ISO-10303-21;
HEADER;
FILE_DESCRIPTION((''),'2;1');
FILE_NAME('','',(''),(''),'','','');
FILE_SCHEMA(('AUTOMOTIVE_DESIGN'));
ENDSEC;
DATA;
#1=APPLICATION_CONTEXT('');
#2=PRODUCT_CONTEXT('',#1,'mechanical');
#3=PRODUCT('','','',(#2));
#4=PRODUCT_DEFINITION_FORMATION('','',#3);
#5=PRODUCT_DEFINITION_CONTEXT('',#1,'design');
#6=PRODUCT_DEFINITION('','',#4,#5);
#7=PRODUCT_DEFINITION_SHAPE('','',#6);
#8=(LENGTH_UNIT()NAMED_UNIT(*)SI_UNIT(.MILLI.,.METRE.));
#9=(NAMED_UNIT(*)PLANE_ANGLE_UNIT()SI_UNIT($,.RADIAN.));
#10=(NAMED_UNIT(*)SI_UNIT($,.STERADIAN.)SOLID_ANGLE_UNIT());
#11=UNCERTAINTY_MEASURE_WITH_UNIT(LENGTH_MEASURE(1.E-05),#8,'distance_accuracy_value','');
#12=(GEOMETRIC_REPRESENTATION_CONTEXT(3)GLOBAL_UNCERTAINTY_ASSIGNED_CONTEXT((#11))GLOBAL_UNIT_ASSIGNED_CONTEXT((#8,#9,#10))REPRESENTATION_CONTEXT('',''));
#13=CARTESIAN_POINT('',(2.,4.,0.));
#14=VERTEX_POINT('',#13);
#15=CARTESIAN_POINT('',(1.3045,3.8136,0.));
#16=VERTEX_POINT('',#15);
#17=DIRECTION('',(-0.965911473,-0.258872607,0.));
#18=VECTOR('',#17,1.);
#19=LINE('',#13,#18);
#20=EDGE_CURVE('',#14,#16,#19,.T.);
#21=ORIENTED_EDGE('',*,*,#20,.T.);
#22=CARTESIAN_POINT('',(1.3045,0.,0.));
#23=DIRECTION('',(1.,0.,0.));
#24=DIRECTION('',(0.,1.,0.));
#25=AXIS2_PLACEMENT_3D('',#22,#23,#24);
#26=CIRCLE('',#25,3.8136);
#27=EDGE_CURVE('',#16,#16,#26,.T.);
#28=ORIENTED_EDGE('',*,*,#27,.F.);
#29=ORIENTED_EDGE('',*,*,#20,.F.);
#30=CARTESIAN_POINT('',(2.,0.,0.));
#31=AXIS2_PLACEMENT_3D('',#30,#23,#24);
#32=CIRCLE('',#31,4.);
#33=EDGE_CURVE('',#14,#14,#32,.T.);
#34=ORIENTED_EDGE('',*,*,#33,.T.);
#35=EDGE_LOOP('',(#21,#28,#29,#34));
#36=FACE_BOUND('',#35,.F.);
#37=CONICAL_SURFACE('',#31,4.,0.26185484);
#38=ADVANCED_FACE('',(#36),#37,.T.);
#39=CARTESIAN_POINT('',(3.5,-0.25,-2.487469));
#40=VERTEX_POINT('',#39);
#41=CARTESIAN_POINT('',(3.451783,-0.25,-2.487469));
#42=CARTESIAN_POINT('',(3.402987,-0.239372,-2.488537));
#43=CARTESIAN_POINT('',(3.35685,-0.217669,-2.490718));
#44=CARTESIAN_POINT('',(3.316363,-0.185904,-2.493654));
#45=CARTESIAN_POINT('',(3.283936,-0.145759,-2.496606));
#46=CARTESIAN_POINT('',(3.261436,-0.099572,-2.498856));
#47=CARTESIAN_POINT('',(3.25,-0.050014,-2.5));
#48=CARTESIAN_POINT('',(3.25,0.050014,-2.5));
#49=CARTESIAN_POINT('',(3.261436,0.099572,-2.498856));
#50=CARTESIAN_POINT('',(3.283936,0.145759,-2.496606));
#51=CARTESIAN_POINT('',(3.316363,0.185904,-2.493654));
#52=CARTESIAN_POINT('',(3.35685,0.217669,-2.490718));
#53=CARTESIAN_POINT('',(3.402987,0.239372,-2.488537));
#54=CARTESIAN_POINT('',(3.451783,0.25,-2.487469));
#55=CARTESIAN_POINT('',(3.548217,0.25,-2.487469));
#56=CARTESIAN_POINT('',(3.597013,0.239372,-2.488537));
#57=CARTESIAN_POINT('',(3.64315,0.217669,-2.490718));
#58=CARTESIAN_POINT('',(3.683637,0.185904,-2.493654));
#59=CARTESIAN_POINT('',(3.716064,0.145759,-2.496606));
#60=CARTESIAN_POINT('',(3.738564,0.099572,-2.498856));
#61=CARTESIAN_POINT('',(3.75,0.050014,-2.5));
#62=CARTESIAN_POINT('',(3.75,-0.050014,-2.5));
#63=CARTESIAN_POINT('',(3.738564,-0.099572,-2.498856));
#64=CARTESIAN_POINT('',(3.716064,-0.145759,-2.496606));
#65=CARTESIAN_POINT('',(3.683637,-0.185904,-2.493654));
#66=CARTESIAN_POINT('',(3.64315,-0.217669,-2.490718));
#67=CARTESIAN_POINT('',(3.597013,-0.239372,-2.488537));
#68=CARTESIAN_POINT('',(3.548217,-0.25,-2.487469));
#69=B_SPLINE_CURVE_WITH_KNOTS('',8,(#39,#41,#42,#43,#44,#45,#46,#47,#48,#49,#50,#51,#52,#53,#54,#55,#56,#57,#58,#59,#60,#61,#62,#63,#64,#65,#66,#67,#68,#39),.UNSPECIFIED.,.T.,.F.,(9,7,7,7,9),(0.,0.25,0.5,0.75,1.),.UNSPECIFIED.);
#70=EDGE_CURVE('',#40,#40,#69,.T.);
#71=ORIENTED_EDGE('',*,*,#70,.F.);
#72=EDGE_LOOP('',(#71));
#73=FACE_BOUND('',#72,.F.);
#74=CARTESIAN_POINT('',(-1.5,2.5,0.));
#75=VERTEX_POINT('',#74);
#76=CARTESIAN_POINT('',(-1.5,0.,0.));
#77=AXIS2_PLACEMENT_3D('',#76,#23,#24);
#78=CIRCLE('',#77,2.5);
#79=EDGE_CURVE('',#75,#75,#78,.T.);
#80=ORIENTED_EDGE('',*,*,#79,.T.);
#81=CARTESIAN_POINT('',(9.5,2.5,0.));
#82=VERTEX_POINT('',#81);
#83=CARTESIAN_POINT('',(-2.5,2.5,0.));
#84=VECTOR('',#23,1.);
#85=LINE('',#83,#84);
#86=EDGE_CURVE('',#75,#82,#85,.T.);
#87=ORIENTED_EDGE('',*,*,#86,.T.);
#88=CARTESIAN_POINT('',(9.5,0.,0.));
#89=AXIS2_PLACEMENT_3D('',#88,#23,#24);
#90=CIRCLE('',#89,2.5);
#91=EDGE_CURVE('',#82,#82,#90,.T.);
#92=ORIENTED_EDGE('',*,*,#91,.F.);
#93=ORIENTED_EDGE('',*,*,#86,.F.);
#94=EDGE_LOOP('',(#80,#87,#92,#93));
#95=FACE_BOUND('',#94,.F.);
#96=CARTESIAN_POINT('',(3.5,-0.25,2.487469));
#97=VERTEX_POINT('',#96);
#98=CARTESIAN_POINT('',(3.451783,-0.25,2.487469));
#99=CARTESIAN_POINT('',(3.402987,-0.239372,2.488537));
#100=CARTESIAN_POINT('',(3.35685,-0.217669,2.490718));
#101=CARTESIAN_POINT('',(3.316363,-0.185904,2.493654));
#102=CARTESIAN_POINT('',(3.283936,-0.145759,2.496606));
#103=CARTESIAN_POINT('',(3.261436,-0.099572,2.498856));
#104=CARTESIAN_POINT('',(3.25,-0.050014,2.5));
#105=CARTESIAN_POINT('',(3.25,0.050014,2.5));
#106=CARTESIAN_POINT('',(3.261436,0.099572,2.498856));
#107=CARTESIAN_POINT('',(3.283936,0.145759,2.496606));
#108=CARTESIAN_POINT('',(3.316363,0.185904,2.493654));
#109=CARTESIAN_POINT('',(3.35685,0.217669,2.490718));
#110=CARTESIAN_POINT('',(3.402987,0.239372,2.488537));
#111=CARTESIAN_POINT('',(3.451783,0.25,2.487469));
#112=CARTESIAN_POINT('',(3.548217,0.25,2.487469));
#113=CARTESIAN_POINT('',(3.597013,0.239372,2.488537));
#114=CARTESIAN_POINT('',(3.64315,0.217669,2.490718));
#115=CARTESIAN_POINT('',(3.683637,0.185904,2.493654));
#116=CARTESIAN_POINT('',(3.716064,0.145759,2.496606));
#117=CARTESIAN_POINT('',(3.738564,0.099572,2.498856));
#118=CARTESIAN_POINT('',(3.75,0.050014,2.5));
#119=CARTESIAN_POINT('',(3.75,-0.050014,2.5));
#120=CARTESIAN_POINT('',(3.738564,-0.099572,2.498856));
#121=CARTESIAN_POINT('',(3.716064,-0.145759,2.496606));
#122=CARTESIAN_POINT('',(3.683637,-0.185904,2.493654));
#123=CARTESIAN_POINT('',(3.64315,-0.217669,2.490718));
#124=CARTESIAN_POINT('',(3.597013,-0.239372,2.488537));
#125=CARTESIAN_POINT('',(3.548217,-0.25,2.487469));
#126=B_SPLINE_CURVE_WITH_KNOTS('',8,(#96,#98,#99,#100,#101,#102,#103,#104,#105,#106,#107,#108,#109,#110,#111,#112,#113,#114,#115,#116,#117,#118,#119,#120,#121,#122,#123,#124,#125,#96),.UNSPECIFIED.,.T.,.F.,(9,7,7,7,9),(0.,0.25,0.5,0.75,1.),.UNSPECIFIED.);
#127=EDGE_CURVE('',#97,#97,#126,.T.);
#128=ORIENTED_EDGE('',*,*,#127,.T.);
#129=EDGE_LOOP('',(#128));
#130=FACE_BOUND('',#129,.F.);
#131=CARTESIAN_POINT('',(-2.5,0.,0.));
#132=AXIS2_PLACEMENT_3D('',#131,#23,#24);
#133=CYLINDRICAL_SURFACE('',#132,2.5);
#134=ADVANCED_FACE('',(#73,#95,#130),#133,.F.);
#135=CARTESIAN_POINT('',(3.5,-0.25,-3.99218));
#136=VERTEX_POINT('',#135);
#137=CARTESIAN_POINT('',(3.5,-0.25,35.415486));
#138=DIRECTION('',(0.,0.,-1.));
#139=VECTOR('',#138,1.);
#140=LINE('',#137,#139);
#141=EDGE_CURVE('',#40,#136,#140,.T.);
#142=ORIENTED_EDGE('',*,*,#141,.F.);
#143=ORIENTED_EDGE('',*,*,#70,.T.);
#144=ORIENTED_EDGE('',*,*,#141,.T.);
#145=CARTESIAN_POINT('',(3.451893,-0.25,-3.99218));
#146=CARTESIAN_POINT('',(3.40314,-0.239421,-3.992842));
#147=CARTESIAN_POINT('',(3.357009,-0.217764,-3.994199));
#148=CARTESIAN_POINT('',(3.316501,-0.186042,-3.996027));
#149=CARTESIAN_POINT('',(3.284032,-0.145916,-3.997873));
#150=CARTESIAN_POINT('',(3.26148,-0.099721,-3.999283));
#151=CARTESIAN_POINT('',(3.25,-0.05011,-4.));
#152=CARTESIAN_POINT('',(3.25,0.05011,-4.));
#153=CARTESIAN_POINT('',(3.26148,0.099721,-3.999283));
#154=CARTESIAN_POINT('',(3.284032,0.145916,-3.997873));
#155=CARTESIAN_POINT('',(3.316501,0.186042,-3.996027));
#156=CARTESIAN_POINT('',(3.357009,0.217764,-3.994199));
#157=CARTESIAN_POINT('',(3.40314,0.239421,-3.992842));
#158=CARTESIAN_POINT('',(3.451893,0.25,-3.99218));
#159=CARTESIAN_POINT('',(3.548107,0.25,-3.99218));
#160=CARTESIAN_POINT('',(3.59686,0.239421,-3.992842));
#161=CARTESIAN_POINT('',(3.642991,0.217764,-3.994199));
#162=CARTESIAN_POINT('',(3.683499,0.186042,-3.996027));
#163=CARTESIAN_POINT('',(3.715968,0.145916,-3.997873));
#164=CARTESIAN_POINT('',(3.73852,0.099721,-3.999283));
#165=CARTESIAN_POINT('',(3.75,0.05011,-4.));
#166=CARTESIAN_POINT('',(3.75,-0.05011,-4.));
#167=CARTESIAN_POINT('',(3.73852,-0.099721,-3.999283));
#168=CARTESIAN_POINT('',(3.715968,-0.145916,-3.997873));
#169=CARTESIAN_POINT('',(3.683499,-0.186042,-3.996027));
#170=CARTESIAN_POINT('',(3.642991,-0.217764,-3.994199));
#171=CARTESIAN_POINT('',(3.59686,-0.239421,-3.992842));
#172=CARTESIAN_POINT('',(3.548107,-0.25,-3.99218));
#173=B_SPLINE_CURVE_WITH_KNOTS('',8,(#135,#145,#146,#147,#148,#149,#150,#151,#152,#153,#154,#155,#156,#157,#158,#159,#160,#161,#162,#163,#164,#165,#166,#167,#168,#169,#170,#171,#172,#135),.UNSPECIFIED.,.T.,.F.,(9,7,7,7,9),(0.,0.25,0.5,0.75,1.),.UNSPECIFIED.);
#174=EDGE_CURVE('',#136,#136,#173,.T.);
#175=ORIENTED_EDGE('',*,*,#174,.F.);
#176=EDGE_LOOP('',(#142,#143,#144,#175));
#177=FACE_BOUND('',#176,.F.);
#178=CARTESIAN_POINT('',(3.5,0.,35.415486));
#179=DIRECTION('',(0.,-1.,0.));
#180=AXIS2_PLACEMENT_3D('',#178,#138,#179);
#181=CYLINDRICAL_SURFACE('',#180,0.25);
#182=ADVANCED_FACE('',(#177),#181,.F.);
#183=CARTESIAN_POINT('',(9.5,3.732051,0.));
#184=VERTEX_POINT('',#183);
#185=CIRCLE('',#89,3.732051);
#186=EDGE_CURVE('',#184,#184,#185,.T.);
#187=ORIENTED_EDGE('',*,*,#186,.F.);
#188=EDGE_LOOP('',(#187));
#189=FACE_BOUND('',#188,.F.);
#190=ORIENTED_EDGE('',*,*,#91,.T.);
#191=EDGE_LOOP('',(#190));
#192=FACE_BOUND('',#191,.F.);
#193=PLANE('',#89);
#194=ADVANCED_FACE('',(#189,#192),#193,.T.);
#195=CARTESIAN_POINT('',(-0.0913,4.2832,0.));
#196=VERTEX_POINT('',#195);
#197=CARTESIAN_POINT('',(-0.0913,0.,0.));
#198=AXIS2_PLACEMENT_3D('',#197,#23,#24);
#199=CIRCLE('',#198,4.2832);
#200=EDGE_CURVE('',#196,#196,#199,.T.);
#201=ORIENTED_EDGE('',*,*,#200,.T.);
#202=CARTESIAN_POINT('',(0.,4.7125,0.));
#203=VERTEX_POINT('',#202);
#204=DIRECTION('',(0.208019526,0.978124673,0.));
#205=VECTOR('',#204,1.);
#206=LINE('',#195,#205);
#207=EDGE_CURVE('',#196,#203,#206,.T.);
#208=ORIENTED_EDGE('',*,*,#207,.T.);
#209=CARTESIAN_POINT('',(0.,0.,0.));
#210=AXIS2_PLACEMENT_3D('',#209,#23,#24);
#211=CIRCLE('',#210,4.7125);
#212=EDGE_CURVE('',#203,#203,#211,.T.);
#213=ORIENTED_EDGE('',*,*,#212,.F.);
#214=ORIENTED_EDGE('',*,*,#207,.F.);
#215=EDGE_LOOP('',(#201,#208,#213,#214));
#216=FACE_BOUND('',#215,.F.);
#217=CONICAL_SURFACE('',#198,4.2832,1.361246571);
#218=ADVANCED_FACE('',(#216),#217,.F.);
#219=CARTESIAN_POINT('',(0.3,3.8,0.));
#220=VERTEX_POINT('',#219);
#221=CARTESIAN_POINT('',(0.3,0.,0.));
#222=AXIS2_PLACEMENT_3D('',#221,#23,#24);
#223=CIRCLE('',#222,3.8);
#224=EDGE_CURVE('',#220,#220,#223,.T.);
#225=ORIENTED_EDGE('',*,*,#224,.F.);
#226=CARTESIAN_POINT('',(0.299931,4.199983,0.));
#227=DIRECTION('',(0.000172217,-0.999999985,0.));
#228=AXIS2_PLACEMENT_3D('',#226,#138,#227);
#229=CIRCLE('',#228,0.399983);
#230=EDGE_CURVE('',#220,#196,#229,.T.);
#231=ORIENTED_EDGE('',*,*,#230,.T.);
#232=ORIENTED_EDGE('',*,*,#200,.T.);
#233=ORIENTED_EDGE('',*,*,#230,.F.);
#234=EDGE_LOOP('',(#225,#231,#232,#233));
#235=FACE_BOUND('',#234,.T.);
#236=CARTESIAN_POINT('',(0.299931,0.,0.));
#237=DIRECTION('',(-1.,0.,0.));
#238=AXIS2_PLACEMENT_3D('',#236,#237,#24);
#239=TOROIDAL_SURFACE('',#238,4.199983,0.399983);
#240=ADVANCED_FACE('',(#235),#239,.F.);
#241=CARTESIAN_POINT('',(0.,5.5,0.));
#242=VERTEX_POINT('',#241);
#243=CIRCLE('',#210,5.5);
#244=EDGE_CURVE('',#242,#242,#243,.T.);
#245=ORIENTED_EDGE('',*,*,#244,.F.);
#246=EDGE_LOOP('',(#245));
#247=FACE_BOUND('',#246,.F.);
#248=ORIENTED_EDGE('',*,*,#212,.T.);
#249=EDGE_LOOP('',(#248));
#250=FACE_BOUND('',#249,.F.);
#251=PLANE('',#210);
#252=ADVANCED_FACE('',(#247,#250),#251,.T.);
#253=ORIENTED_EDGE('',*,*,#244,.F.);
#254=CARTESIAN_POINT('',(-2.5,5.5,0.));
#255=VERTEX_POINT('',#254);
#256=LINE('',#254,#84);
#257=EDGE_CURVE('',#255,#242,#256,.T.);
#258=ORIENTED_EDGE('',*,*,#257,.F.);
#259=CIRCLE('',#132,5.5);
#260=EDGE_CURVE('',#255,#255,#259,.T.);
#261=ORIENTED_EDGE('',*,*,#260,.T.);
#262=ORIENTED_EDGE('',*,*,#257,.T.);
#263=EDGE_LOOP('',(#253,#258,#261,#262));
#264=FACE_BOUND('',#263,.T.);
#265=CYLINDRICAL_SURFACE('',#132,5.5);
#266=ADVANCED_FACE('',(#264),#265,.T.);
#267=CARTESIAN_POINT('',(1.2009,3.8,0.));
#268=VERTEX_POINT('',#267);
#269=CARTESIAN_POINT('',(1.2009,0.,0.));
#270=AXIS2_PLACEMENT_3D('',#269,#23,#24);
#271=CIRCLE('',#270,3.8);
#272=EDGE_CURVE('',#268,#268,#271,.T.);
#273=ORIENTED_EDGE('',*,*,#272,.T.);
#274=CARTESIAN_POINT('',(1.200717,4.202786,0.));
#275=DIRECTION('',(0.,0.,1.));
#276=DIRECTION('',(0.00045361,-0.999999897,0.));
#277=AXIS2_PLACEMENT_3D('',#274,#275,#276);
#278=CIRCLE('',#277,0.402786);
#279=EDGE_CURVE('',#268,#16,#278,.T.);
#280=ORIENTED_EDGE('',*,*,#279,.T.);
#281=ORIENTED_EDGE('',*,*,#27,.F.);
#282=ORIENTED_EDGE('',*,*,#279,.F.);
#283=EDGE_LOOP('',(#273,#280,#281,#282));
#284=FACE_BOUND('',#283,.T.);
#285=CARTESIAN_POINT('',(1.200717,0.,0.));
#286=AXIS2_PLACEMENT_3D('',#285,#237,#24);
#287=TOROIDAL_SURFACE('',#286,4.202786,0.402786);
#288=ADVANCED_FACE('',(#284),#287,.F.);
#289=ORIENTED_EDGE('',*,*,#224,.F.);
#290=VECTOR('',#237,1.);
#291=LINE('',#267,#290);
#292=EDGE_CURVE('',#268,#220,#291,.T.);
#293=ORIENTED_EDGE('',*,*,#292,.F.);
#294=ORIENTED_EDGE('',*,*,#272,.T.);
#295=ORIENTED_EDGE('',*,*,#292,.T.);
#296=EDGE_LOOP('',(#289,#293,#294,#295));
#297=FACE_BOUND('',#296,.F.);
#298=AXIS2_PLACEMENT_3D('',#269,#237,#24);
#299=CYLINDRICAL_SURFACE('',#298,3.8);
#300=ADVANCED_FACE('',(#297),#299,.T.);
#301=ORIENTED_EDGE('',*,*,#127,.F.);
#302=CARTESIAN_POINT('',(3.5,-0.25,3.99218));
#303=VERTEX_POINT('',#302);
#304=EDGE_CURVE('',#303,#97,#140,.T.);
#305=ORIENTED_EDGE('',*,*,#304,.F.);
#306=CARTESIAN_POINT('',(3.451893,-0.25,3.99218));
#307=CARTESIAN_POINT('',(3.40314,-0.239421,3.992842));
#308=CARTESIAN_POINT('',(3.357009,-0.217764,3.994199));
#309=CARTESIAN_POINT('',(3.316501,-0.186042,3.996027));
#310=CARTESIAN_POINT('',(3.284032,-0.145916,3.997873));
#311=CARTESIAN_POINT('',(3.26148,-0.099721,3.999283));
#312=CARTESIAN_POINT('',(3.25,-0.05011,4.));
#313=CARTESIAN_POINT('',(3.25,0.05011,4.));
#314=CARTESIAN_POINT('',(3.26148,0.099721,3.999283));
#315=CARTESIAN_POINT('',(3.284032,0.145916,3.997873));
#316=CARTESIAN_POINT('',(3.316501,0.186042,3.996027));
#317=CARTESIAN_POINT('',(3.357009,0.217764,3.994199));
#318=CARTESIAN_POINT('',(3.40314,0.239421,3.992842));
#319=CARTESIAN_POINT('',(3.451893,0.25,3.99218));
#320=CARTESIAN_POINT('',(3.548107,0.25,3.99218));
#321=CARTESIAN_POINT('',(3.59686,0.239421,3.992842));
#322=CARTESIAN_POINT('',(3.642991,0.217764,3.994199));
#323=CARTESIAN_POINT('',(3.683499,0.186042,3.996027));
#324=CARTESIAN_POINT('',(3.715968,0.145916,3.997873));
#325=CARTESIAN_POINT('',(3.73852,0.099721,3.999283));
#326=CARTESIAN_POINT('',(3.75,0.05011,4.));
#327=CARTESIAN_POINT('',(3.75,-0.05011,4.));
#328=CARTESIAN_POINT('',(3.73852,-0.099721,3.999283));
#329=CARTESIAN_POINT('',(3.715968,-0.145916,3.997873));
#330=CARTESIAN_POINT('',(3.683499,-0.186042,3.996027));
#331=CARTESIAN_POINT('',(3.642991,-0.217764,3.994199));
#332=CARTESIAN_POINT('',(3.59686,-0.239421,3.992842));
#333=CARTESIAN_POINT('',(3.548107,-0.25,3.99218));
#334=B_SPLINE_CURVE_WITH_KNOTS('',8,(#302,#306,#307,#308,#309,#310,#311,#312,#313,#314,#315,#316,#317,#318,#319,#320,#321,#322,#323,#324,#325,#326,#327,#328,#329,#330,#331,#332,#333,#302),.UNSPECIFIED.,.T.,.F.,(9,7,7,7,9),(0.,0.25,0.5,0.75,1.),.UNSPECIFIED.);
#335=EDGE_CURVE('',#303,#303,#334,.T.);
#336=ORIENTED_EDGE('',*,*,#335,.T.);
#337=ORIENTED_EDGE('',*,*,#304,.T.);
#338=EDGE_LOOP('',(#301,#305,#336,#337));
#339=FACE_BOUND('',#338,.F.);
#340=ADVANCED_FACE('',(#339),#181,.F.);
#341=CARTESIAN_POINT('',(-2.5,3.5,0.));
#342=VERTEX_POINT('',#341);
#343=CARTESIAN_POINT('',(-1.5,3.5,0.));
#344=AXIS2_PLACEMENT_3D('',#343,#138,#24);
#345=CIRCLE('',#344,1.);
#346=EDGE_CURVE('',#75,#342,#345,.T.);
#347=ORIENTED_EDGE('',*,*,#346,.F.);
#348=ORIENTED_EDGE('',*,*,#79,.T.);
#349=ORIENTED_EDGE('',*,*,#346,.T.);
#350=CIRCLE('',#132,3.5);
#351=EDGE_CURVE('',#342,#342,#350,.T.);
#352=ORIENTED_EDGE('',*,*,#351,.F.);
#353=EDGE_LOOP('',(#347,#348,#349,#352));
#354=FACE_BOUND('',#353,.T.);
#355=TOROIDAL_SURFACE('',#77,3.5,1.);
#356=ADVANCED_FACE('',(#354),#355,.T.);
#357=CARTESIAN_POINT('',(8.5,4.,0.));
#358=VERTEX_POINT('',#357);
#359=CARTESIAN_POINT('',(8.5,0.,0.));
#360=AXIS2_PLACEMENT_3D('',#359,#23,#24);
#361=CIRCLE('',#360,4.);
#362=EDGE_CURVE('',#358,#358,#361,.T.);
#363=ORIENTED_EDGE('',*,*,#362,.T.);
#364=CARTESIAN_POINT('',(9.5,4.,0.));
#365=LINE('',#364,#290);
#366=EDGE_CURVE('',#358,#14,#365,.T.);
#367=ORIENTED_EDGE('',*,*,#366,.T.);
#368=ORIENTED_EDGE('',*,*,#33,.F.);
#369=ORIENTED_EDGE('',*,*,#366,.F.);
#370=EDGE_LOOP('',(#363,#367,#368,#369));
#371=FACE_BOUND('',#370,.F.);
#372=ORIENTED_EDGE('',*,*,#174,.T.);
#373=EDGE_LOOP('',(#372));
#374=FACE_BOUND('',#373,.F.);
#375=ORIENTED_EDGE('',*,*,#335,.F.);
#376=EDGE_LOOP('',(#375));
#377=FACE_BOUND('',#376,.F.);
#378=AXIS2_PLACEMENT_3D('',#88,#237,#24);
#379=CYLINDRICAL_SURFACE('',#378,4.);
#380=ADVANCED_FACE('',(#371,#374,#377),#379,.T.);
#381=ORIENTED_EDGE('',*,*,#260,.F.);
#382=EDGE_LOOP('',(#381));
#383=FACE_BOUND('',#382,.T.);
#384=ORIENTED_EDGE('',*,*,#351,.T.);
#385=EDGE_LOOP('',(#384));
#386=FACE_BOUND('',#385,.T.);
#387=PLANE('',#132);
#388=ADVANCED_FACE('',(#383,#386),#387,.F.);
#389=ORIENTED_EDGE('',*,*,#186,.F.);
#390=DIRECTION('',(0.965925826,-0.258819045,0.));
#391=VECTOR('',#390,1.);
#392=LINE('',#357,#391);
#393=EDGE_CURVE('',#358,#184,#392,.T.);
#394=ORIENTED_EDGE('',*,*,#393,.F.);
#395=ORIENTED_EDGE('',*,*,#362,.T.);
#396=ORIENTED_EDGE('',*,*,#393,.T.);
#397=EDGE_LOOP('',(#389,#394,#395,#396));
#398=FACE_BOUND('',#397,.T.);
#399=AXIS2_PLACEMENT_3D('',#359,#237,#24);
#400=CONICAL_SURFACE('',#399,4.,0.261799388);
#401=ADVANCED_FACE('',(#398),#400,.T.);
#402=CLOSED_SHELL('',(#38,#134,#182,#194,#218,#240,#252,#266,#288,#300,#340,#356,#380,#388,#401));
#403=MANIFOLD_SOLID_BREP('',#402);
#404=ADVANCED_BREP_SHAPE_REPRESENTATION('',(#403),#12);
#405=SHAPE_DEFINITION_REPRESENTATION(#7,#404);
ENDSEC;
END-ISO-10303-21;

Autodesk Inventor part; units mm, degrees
ref_plane "YZ Plane" through (0, 0, 0) normal (1, 0, 0) x (0, 1, 0)
ref_plane "XZ Plane" through (0, 0, 0) normal (0, 1, 0) x (-1, 0, 0)
sketch "Skizze1" plane through (0, 0, 0) normal (0, 0, 1) x (1, 0, 0)
  line L0 (-2.5, 0) -> (5.5, 0)
  line L1 (9.5, 2.5) -> (9.5, 4)
  line L2 (9.5, 4) -> (2, 4)
  line L3 (-2.5, 2.5) -> (-2.5, 5.5)
  line L4 (-2.5, 5.5) -> (0, 5.5)
  line L5 (2, 4) -> (1.3045, 3.8136)
  line L6 (1.2009, 3.8) -> (0.3, 3.8)
  line L7 (-0.0913, 4.2832) -> (0, 4.7125)
  line L8 (0, 4.7125) -> (0, 5.5)
  arc A0 (-0.0913, 4.2832) -> (0.3, 3.8) centre (0.3, 4.2) ccw
  arc A1 (1.2009, 3.8) -> (1.3045, 3.8136) centre (1.2009, 4.2) ccw
  line L9 (-4.9, 0) -> (11.9, 0) projected
  line L10 (0, -0.9) -> (0, 5.4) projected
  line L11 (-2.5, 2.5) -> (9.5, 2.5)
  dimension "d0" = 11
  dimension "d1" = 8
  dimension "d2" = 12
  dimension "d3" = 12
  dimension "d4" = 0.4
  dimension "d5" = 0.1
  dimension "d6" = 2
  dimension "d7" = 15
  dimension "d8" = 0.2
  dimension "d9" = 0.4
  dimension "d10" = 2.5
  dimension "d11" = 5
revolve "Körper" add sketch "Skizze1" angle 360 about axis through (-2.5, 0, 0) along (1, 0, 0) contours L11 L10 A0 L6 A1 L5 L2 L1 | L11 L3 L4 L8 L7 A0 L10
chamfer "Fase1" distance 1 angle 15 1 edges at (9.5, -4, 0) measured on face at (7, 3.9482, -0.6416)
fillet "Rundung1" radius 1 1 edges at (-2.5, -2.5, 0)
ref_plane "Arbeitsebene1" through (0, 0, 3) normal (0, 0, 1) x (1, 0, 0)
sketch "Skizze2" plane through (0, 0, 3) normal (0, 0, 1) x (1, 0, 0)
  line L0 (9.5, 3.7321) -> (9.5, -3.7321) projected
  line L1 (-2.5, -5.5) -> (-2.5, 5.5) projected
  point P0 (0, 0)
  point P1 (3.5, 0)
  point P2 (9.5, 0)
  dimension "d39" = 6
hole "Bohrung1" at (3.5, 0, 3) direction (0, 0, -1) diameter 0.5 end through all both
equation "\"d12\" = PHH"
equation "\"d13\" = ANG"
equation "\"d29\" = PHH"
equation "\"d14\" = RR"
equation "\"d0\" = KOD"
equation "\"d1\" = SD2"
equation "\"d2\" = NLG"
equation "\"d4\" = FSRR"
equation "\"d5\" = FST2"
equation "\"d6\" = FSB"
equation "\"d8\" = FST1"
equation "\"d9\" = FSRR"
equation "\"d10\" = KOH"
equation "\"d11\" = NND"
equation "\"NLG\" = 12"
equation "\"NND\" = 5"
equation "\"KOD\" = 11"
equation "\"KOH\" = 2.5"
equation "\"SD2\" = 8"
equation "\"FST1\" = 0.2"
equation "\"FST2\" = 0.1"
equation "\"FSB\" = 2"
equation "\"FSRR\" = 0.4"
equation "\"PHH\" = 1"
equation "\"ANG\" = 15deg"
equation "\"RR\" = 1"
equation "\"NNDMIN\" = 4.1"
equation "\"FSH\" = 1.1"
equation "\"NNDMAX\" = 5"
equation "\"SEWI\" = 30deg"
properties part number "DIN 172 - A 5 x 12" material "Stahl, weich"
